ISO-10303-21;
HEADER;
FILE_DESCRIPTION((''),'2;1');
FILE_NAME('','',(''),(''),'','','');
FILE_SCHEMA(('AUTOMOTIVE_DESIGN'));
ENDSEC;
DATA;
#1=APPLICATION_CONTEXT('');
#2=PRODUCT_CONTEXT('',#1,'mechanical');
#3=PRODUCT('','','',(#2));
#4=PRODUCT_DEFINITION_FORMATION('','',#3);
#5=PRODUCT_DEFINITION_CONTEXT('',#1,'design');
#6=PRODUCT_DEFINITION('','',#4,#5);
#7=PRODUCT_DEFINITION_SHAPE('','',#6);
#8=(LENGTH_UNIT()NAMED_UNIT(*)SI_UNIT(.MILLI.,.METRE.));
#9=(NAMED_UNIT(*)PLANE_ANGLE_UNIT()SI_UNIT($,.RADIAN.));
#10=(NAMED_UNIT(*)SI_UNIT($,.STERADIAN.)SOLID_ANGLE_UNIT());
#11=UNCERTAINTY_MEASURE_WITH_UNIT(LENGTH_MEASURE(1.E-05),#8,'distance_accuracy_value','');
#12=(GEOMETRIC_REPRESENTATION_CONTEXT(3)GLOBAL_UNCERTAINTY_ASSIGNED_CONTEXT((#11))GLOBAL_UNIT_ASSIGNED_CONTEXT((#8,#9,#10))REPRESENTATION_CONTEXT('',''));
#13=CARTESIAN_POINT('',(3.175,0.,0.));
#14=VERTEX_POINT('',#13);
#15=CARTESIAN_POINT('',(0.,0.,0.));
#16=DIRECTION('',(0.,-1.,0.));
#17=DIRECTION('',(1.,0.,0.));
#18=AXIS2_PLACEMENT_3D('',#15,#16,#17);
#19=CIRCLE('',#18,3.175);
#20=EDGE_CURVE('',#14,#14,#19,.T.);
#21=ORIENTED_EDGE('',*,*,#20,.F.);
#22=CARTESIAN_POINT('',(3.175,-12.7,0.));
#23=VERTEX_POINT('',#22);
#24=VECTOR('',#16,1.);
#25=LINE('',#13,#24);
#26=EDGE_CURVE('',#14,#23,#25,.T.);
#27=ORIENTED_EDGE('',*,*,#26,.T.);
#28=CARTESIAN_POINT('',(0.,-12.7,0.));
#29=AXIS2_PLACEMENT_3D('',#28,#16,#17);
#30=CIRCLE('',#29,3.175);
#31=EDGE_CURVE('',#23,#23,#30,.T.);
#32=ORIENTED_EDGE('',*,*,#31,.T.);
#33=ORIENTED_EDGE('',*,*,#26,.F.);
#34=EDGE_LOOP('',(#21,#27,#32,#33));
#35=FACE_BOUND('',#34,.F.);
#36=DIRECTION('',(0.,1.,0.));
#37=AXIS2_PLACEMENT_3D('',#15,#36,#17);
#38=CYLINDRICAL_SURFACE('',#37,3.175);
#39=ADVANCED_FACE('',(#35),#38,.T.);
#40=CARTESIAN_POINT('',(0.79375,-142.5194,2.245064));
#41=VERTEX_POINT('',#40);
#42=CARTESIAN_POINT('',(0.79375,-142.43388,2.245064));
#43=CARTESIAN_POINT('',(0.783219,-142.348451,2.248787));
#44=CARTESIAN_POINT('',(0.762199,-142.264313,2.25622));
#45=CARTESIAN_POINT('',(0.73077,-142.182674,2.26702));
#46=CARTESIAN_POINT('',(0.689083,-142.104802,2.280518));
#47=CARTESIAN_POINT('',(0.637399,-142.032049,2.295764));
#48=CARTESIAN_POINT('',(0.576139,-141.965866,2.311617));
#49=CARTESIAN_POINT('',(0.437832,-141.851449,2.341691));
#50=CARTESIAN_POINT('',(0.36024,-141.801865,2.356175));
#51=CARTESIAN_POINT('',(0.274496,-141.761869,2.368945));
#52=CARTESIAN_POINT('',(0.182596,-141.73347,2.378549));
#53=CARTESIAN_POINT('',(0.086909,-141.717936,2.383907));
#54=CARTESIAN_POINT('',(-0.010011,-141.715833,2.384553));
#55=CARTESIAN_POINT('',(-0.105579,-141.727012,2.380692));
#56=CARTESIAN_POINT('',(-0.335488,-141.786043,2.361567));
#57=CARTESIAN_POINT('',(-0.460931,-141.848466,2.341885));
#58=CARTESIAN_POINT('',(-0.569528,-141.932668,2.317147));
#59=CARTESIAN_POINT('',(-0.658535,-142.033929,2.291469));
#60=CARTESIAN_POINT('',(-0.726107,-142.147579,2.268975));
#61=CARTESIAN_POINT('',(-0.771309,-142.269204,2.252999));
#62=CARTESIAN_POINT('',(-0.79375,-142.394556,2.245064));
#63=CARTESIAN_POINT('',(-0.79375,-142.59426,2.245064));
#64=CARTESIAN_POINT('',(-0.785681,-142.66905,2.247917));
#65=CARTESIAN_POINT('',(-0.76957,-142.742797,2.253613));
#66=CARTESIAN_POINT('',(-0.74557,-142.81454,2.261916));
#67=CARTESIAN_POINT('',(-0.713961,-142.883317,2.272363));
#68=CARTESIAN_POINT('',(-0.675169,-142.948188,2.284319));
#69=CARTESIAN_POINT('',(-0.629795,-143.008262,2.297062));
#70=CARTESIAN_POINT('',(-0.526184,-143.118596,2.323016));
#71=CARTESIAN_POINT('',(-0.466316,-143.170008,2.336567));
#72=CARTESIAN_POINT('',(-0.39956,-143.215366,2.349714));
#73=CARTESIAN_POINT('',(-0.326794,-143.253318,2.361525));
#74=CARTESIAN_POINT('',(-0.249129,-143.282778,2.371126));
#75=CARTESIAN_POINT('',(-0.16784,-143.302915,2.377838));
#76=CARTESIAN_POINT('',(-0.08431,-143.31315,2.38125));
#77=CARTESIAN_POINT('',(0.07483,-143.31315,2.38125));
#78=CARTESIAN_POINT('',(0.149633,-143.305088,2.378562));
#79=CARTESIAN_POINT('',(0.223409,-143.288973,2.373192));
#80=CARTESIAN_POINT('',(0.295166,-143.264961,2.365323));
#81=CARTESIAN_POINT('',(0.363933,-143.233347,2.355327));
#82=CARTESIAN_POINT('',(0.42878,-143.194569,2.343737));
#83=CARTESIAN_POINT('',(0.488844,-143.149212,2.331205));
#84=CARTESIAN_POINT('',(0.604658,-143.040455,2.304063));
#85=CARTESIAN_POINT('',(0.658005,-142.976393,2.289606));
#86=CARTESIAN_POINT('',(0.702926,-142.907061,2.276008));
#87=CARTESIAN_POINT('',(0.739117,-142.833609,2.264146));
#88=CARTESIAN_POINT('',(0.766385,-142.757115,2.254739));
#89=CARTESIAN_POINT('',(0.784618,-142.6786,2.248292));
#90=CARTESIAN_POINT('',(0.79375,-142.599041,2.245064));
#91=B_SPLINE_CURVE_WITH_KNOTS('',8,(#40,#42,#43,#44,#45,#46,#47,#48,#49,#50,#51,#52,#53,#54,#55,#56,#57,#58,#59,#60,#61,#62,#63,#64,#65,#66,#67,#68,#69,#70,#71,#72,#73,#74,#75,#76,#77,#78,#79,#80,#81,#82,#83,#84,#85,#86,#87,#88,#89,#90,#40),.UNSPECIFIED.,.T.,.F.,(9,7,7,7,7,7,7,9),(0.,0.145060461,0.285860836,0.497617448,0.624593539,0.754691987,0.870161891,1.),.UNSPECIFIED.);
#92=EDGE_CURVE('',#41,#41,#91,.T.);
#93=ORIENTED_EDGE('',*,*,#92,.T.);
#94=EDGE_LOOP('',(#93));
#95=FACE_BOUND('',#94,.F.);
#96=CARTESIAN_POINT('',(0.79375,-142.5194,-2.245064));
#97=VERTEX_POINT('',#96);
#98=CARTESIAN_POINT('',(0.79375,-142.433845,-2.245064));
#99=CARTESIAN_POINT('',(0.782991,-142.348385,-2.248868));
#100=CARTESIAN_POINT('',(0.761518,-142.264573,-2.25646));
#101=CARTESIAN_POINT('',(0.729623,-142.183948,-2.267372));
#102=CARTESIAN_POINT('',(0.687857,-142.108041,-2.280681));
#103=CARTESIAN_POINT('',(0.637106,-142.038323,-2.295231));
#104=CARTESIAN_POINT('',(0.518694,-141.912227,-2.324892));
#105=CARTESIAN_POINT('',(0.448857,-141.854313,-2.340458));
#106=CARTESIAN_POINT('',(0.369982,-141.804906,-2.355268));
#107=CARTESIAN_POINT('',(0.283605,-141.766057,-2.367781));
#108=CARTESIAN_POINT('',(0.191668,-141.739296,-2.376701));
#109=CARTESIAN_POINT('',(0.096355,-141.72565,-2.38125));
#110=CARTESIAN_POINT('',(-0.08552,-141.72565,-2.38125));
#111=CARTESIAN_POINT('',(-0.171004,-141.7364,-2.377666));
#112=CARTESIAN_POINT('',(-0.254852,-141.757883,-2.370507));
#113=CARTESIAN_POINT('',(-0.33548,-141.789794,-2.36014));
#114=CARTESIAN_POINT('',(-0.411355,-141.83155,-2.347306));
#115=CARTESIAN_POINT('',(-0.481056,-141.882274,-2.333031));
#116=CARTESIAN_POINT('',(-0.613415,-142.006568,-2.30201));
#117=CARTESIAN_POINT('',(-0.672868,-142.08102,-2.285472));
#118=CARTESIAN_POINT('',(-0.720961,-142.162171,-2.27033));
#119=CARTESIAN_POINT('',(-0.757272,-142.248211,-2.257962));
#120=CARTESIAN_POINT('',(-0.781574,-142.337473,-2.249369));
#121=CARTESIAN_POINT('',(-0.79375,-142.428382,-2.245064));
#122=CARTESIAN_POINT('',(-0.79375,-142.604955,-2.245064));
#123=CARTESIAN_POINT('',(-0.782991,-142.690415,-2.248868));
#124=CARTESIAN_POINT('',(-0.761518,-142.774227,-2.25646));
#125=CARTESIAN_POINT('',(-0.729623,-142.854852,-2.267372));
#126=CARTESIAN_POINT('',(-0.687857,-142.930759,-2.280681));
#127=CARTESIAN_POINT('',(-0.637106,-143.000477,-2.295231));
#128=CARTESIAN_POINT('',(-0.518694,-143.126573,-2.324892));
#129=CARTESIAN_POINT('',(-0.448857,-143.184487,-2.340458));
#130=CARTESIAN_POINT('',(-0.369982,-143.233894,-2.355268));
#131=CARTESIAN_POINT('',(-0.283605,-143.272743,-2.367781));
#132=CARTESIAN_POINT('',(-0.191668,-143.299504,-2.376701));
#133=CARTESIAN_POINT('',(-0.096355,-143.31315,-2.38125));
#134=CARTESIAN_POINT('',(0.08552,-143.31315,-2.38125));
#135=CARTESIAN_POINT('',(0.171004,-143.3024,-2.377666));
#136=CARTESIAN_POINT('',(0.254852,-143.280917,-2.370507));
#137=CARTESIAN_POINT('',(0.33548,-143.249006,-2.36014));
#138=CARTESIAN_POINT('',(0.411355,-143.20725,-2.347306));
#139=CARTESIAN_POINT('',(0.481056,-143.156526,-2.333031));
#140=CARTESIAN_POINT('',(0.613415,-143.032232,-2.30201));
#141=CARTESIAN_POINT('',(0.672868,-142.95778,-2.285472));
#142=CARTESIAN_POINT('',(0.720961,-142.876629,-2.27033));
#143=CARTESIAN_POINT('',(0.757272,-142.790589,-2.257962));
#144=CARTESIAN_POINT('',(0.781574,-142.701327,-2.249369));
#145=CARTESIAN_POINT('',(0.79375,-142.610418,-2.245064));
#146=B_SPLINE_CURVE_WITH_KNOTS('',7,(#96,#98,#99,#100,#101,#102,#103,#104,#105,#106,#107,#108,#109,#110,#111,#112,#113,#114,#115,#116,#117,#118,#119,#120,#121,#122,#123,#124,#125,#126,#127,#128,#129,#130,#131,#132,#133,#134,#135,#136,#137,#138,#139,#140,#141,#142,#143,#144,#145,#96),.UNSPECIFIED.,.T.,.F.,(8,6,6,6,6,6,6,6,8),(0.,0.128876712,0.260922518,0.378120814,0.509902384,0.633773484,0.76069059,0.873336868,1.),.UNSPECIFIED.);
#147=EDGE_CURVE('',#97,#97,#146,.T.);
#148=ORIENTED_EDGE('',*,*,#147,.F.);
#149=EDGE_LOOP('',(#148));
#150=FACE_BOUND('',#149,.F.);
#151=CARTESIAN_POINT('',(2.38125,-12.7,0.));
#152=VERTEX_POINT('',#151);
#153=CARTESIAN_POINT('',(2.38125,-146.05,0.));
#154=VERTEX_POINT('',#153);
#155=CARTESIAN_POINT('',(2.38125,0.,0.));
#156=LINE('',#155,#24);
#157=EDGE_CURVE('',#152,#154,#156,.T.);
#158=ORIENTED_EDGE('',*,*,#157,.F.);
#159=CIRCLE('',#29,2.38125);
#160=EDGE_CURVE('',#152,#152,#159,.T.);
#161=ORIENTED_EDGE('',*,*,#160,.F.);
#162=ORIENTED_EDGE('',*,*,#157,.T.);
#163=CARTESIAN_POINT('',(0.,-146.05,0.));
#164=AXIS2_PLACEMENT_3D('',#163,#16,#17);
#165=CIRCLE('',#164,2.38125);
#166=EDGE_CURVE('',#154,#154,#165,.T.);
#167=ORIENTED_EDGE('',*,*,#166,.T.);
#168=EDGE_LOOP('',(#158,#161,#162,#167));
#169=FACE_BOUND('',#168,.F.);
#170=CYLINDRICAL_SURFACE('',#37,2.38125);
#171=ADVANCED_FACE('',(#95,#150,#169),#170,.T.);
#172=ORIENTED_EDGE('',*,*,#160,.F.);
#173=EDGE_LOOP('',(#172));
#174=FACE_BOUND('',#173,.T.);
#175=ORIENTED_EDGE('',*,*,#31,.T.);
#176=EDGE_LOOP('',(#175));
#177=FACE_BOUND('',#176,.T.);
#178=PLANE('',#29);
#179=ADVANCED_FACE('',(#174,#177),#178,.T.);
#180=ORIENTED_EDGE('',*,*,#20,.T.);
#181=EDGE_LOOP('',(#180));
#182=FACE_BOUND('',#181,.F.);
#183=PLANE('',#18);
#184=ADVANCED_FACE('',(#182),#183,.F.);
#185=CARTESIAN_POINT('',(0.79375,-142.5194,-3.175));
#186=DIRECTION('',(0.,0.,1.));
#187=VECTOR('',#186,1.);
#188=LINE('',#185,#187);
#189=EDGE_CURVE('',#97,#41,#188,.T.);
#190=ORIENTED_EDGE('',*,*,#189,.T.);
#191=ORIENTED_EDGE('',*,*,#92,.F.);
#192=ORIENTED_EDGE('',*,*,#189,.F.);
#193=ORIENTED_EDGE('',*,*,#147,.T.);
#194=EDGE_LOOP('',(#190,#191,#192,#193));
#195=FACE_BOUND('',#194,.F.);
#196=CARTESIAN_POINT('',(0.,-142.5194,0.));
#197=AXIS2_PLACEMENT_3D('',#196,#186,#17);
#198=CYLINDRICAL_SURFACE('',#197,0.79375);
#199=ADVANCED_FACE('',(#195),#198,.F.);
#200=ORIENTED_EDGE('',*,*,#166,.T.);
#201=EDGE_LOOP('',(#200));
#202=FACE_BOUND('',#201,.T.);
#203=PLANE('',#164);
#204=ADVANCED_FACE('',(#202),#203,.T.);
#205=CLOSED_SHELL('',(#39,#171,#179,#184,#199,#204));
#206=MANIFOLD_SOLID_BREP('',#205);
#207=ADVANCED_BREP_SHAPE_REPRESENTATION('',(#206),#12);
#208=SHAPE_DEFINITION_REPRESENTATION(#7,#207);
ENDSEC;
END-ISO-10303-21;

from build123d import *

# Parameters (mm, degrees)
F0_R     = 3.175
F0_R_2   = 2.38125
F1_DEPTH = 12.7
F2_DEPTH = 146.05
F3_R     = 0.79375
F4_DEPTH = 3.175


with BuildPart() as f1:
    # F0 (on Front) → F1 (new body)
    with BuildSketch(Plane.XZ):
        Circle(F0_R)
        Circle(F0_R_2, mode=Mode.SUBTRACT)
    extrude(amount=F1_DEPTH)

    # F0 (on Front) → F2 (join)
    with BuildSketch(Plane.XZ):
        Circle(F0_R_2)
    extrude(amount=F2_DEPTH)

    # F3 (on Top) → F4 (cut, symmetric)
    with BuildSketch(Plane.XY):
        with Locations((0, -142.5194)):
            Circle(F3_R)
    extrude(amount=F4_DEPTH, both=True, mode=Mode.SUBTRACT)


solid = f1.part
